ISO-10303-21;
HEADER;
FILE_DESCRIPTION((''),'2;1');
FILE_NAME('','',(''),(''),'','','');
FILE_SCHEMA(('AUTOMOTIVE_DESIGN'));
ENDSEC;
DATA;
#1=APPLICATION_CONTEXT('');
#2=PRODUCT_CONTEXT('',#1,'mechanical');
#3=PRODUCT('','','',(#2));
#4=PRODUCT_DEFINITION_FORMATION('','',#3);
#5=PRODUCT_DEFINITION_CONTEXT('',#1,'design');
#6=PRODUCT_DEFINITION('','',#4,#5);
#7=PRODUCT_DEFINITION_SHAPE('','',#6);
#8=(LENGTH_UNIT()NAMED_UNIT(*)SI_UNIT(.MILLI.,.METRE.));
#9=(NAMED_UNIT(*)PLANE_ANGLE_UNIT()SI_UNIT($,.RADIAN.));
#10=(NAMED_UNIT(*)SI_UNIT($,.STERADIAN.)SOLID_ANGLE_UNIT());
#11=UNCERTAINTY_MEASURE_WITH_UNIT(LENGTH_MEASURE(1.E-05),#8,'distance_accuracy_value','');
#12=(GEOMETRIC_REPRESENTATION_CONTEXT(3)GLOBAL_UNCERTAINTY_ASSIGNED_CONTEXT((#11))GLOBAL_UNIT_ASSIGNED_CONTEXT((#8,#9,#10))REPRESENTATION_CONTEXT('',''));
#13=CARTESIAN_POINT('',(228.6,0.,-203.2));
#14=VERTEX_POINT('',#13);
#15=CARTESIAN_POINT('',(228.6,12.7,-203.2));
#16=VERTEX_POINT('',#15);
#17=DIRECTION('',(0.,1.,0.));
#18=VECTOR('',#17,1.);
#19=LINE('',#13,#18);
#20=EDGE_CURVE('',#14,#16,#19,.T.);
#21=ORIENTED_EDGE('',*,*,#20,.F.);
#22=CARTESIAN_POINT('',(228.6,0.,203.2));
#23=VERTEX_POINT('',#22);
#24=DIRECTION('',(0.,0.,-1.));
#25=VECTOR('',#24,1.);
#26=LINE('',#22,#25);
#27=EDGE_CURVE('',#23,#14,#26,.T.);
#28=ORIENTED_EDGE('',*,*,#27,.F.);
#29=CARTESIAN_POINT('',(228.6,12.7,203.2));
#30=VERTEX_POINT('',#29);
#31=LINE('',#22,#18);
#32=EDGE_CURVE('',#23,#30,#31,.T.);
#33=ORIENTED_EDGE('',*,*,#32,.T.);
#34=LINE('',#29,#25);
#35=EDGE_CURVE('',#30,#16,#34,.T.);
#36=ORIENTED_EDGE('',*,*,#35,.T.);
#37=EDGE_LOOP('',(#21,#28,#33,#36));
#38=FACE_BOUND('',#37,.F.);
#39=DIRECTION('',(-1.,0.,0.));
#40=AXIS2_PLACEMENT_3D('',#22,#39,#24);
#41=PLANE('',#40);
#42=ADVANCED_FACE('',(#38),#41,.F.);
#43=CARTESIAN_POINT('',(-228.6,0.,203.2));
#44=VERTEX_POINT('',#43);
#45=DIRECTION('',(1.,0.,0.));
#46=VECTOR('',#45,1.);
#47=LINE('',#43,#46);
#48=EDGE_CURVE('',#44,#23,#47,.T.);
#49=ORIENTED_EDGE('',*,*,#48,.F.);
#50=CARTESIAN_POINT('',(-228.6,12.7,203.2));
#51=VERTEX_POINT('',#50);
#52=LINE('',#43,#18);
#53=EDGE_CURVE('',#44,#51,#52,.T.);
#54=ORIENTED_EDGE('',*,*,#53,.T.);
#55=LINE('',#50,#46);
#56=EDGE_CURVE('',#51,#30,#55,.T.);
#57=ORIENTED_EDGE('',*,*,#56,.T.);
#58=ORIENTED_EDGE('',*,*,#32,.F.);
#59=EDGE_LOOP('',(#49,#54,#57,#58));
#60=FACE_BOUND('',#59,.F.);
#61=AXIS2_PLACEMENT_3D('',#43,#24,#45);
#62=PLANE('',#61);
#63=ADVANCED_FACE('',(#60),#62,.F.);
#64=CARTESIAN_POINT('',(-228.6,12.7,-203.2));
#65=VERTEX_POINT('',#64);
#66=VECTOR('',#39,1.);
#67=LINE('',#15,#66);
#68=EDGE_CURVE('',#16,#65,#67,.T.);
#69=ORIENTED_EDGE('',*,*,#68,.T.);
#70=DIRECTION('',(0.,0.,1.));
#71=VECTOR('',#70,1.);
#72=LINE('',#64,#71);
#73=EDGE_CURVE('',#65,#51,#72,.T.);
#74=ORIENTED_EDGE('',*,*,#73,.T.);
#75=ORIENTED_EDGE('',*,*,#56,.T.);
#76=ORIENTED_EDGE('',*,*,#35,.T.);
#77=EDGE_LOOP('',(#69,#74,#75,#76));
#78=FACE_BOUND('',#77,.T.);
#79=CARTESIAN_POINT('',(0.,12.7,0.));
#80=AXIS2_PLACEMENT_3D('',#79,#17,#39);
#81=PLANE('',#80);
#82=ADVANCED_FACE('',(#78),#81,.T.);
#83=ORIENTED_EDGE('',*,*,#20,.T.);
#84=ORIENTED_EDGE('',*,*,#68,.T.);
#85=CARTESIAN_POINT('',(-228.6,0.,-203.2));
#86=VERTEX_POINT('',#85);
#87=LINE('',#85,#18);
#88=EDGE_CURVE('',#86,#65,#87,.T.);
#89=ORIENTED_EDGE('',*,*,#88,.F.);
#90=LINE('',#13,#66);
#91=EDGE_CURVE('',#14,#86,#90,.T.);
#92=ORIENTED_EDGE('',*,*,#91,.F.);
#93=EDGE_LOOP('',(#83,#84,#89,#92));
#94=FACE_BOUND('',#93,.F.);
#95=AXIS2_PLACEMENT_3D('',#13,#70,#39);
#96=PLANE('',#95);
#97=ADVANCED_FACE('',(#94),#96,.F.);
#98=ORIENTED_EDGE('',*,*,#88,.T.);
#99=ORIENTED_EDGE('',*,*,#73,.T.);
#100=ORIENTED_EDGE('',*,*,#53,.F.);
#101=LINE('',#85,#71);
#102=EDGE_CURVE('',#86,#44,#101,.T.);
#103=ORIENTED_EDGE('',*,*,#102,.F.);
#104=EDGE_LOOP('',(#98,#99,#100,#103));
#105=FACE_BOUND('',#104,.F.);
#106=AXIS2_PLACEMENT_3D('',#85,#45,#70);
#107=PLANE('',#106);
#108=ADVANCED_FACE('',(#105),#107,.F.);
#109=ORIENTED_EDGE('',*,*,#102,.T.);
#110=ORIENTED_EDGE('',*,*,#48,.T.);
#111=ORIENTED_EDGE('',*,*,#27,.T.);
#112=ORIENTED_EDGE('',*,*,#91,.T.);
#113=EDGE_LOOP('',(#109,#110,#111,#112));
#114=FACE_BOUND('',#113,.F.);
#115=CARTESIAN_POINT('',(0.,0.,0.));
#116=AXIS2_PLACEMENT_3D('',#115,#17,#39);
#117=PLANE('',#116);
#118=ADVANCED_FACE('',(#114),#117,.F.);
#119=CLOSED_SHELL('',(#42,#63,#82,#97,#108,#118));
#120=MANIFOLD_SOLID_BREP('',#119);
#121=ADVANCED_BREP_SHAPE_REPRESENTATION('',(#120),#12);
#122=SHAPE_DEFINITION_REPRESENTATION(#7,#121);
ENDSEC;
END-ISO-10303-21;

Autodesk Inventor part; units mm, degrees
ref_plane "YZ Plane" through (0, 0, 0) normal (1, 0, 0) x (0, 1, 0)
ref_plane "XZ Plane" through (0, 0, 0) normal (0, 1, 0) x (-1, 0, 0)
ref_plane "XY Plane" through (0, 0, 0) normal (0, 0, 1) x (1, 0, 0)
sketch "Sketch1" plane through (0, 0, 0) normal (0, 1, 0) x (-1, 0, 0)
  line L0 (228.6, 203.2) -> (-228.6, 203.2)
  line L1 (-228.6, 203.2) -> (-228.6, -203.2)
  line L2 (-228.6, -203.2) -> (228.6, -203.2)
  line L3 (228.6, -203.2) -> (228.6, 203.2)
  line L4 (228.6, 203.2) -> (-228.6, -203.2) construction
  line L5 (-228.6, 203.2) -> (228.6, -203.2) construction
  point P0 (0, 0)
  dimension "d0" = 457.2
  dimension "d1" = 406.4
extrude "Extrusion1" add sketch "Sketch1" along normal blind 12.7
properties part number "Tun-Platform"
